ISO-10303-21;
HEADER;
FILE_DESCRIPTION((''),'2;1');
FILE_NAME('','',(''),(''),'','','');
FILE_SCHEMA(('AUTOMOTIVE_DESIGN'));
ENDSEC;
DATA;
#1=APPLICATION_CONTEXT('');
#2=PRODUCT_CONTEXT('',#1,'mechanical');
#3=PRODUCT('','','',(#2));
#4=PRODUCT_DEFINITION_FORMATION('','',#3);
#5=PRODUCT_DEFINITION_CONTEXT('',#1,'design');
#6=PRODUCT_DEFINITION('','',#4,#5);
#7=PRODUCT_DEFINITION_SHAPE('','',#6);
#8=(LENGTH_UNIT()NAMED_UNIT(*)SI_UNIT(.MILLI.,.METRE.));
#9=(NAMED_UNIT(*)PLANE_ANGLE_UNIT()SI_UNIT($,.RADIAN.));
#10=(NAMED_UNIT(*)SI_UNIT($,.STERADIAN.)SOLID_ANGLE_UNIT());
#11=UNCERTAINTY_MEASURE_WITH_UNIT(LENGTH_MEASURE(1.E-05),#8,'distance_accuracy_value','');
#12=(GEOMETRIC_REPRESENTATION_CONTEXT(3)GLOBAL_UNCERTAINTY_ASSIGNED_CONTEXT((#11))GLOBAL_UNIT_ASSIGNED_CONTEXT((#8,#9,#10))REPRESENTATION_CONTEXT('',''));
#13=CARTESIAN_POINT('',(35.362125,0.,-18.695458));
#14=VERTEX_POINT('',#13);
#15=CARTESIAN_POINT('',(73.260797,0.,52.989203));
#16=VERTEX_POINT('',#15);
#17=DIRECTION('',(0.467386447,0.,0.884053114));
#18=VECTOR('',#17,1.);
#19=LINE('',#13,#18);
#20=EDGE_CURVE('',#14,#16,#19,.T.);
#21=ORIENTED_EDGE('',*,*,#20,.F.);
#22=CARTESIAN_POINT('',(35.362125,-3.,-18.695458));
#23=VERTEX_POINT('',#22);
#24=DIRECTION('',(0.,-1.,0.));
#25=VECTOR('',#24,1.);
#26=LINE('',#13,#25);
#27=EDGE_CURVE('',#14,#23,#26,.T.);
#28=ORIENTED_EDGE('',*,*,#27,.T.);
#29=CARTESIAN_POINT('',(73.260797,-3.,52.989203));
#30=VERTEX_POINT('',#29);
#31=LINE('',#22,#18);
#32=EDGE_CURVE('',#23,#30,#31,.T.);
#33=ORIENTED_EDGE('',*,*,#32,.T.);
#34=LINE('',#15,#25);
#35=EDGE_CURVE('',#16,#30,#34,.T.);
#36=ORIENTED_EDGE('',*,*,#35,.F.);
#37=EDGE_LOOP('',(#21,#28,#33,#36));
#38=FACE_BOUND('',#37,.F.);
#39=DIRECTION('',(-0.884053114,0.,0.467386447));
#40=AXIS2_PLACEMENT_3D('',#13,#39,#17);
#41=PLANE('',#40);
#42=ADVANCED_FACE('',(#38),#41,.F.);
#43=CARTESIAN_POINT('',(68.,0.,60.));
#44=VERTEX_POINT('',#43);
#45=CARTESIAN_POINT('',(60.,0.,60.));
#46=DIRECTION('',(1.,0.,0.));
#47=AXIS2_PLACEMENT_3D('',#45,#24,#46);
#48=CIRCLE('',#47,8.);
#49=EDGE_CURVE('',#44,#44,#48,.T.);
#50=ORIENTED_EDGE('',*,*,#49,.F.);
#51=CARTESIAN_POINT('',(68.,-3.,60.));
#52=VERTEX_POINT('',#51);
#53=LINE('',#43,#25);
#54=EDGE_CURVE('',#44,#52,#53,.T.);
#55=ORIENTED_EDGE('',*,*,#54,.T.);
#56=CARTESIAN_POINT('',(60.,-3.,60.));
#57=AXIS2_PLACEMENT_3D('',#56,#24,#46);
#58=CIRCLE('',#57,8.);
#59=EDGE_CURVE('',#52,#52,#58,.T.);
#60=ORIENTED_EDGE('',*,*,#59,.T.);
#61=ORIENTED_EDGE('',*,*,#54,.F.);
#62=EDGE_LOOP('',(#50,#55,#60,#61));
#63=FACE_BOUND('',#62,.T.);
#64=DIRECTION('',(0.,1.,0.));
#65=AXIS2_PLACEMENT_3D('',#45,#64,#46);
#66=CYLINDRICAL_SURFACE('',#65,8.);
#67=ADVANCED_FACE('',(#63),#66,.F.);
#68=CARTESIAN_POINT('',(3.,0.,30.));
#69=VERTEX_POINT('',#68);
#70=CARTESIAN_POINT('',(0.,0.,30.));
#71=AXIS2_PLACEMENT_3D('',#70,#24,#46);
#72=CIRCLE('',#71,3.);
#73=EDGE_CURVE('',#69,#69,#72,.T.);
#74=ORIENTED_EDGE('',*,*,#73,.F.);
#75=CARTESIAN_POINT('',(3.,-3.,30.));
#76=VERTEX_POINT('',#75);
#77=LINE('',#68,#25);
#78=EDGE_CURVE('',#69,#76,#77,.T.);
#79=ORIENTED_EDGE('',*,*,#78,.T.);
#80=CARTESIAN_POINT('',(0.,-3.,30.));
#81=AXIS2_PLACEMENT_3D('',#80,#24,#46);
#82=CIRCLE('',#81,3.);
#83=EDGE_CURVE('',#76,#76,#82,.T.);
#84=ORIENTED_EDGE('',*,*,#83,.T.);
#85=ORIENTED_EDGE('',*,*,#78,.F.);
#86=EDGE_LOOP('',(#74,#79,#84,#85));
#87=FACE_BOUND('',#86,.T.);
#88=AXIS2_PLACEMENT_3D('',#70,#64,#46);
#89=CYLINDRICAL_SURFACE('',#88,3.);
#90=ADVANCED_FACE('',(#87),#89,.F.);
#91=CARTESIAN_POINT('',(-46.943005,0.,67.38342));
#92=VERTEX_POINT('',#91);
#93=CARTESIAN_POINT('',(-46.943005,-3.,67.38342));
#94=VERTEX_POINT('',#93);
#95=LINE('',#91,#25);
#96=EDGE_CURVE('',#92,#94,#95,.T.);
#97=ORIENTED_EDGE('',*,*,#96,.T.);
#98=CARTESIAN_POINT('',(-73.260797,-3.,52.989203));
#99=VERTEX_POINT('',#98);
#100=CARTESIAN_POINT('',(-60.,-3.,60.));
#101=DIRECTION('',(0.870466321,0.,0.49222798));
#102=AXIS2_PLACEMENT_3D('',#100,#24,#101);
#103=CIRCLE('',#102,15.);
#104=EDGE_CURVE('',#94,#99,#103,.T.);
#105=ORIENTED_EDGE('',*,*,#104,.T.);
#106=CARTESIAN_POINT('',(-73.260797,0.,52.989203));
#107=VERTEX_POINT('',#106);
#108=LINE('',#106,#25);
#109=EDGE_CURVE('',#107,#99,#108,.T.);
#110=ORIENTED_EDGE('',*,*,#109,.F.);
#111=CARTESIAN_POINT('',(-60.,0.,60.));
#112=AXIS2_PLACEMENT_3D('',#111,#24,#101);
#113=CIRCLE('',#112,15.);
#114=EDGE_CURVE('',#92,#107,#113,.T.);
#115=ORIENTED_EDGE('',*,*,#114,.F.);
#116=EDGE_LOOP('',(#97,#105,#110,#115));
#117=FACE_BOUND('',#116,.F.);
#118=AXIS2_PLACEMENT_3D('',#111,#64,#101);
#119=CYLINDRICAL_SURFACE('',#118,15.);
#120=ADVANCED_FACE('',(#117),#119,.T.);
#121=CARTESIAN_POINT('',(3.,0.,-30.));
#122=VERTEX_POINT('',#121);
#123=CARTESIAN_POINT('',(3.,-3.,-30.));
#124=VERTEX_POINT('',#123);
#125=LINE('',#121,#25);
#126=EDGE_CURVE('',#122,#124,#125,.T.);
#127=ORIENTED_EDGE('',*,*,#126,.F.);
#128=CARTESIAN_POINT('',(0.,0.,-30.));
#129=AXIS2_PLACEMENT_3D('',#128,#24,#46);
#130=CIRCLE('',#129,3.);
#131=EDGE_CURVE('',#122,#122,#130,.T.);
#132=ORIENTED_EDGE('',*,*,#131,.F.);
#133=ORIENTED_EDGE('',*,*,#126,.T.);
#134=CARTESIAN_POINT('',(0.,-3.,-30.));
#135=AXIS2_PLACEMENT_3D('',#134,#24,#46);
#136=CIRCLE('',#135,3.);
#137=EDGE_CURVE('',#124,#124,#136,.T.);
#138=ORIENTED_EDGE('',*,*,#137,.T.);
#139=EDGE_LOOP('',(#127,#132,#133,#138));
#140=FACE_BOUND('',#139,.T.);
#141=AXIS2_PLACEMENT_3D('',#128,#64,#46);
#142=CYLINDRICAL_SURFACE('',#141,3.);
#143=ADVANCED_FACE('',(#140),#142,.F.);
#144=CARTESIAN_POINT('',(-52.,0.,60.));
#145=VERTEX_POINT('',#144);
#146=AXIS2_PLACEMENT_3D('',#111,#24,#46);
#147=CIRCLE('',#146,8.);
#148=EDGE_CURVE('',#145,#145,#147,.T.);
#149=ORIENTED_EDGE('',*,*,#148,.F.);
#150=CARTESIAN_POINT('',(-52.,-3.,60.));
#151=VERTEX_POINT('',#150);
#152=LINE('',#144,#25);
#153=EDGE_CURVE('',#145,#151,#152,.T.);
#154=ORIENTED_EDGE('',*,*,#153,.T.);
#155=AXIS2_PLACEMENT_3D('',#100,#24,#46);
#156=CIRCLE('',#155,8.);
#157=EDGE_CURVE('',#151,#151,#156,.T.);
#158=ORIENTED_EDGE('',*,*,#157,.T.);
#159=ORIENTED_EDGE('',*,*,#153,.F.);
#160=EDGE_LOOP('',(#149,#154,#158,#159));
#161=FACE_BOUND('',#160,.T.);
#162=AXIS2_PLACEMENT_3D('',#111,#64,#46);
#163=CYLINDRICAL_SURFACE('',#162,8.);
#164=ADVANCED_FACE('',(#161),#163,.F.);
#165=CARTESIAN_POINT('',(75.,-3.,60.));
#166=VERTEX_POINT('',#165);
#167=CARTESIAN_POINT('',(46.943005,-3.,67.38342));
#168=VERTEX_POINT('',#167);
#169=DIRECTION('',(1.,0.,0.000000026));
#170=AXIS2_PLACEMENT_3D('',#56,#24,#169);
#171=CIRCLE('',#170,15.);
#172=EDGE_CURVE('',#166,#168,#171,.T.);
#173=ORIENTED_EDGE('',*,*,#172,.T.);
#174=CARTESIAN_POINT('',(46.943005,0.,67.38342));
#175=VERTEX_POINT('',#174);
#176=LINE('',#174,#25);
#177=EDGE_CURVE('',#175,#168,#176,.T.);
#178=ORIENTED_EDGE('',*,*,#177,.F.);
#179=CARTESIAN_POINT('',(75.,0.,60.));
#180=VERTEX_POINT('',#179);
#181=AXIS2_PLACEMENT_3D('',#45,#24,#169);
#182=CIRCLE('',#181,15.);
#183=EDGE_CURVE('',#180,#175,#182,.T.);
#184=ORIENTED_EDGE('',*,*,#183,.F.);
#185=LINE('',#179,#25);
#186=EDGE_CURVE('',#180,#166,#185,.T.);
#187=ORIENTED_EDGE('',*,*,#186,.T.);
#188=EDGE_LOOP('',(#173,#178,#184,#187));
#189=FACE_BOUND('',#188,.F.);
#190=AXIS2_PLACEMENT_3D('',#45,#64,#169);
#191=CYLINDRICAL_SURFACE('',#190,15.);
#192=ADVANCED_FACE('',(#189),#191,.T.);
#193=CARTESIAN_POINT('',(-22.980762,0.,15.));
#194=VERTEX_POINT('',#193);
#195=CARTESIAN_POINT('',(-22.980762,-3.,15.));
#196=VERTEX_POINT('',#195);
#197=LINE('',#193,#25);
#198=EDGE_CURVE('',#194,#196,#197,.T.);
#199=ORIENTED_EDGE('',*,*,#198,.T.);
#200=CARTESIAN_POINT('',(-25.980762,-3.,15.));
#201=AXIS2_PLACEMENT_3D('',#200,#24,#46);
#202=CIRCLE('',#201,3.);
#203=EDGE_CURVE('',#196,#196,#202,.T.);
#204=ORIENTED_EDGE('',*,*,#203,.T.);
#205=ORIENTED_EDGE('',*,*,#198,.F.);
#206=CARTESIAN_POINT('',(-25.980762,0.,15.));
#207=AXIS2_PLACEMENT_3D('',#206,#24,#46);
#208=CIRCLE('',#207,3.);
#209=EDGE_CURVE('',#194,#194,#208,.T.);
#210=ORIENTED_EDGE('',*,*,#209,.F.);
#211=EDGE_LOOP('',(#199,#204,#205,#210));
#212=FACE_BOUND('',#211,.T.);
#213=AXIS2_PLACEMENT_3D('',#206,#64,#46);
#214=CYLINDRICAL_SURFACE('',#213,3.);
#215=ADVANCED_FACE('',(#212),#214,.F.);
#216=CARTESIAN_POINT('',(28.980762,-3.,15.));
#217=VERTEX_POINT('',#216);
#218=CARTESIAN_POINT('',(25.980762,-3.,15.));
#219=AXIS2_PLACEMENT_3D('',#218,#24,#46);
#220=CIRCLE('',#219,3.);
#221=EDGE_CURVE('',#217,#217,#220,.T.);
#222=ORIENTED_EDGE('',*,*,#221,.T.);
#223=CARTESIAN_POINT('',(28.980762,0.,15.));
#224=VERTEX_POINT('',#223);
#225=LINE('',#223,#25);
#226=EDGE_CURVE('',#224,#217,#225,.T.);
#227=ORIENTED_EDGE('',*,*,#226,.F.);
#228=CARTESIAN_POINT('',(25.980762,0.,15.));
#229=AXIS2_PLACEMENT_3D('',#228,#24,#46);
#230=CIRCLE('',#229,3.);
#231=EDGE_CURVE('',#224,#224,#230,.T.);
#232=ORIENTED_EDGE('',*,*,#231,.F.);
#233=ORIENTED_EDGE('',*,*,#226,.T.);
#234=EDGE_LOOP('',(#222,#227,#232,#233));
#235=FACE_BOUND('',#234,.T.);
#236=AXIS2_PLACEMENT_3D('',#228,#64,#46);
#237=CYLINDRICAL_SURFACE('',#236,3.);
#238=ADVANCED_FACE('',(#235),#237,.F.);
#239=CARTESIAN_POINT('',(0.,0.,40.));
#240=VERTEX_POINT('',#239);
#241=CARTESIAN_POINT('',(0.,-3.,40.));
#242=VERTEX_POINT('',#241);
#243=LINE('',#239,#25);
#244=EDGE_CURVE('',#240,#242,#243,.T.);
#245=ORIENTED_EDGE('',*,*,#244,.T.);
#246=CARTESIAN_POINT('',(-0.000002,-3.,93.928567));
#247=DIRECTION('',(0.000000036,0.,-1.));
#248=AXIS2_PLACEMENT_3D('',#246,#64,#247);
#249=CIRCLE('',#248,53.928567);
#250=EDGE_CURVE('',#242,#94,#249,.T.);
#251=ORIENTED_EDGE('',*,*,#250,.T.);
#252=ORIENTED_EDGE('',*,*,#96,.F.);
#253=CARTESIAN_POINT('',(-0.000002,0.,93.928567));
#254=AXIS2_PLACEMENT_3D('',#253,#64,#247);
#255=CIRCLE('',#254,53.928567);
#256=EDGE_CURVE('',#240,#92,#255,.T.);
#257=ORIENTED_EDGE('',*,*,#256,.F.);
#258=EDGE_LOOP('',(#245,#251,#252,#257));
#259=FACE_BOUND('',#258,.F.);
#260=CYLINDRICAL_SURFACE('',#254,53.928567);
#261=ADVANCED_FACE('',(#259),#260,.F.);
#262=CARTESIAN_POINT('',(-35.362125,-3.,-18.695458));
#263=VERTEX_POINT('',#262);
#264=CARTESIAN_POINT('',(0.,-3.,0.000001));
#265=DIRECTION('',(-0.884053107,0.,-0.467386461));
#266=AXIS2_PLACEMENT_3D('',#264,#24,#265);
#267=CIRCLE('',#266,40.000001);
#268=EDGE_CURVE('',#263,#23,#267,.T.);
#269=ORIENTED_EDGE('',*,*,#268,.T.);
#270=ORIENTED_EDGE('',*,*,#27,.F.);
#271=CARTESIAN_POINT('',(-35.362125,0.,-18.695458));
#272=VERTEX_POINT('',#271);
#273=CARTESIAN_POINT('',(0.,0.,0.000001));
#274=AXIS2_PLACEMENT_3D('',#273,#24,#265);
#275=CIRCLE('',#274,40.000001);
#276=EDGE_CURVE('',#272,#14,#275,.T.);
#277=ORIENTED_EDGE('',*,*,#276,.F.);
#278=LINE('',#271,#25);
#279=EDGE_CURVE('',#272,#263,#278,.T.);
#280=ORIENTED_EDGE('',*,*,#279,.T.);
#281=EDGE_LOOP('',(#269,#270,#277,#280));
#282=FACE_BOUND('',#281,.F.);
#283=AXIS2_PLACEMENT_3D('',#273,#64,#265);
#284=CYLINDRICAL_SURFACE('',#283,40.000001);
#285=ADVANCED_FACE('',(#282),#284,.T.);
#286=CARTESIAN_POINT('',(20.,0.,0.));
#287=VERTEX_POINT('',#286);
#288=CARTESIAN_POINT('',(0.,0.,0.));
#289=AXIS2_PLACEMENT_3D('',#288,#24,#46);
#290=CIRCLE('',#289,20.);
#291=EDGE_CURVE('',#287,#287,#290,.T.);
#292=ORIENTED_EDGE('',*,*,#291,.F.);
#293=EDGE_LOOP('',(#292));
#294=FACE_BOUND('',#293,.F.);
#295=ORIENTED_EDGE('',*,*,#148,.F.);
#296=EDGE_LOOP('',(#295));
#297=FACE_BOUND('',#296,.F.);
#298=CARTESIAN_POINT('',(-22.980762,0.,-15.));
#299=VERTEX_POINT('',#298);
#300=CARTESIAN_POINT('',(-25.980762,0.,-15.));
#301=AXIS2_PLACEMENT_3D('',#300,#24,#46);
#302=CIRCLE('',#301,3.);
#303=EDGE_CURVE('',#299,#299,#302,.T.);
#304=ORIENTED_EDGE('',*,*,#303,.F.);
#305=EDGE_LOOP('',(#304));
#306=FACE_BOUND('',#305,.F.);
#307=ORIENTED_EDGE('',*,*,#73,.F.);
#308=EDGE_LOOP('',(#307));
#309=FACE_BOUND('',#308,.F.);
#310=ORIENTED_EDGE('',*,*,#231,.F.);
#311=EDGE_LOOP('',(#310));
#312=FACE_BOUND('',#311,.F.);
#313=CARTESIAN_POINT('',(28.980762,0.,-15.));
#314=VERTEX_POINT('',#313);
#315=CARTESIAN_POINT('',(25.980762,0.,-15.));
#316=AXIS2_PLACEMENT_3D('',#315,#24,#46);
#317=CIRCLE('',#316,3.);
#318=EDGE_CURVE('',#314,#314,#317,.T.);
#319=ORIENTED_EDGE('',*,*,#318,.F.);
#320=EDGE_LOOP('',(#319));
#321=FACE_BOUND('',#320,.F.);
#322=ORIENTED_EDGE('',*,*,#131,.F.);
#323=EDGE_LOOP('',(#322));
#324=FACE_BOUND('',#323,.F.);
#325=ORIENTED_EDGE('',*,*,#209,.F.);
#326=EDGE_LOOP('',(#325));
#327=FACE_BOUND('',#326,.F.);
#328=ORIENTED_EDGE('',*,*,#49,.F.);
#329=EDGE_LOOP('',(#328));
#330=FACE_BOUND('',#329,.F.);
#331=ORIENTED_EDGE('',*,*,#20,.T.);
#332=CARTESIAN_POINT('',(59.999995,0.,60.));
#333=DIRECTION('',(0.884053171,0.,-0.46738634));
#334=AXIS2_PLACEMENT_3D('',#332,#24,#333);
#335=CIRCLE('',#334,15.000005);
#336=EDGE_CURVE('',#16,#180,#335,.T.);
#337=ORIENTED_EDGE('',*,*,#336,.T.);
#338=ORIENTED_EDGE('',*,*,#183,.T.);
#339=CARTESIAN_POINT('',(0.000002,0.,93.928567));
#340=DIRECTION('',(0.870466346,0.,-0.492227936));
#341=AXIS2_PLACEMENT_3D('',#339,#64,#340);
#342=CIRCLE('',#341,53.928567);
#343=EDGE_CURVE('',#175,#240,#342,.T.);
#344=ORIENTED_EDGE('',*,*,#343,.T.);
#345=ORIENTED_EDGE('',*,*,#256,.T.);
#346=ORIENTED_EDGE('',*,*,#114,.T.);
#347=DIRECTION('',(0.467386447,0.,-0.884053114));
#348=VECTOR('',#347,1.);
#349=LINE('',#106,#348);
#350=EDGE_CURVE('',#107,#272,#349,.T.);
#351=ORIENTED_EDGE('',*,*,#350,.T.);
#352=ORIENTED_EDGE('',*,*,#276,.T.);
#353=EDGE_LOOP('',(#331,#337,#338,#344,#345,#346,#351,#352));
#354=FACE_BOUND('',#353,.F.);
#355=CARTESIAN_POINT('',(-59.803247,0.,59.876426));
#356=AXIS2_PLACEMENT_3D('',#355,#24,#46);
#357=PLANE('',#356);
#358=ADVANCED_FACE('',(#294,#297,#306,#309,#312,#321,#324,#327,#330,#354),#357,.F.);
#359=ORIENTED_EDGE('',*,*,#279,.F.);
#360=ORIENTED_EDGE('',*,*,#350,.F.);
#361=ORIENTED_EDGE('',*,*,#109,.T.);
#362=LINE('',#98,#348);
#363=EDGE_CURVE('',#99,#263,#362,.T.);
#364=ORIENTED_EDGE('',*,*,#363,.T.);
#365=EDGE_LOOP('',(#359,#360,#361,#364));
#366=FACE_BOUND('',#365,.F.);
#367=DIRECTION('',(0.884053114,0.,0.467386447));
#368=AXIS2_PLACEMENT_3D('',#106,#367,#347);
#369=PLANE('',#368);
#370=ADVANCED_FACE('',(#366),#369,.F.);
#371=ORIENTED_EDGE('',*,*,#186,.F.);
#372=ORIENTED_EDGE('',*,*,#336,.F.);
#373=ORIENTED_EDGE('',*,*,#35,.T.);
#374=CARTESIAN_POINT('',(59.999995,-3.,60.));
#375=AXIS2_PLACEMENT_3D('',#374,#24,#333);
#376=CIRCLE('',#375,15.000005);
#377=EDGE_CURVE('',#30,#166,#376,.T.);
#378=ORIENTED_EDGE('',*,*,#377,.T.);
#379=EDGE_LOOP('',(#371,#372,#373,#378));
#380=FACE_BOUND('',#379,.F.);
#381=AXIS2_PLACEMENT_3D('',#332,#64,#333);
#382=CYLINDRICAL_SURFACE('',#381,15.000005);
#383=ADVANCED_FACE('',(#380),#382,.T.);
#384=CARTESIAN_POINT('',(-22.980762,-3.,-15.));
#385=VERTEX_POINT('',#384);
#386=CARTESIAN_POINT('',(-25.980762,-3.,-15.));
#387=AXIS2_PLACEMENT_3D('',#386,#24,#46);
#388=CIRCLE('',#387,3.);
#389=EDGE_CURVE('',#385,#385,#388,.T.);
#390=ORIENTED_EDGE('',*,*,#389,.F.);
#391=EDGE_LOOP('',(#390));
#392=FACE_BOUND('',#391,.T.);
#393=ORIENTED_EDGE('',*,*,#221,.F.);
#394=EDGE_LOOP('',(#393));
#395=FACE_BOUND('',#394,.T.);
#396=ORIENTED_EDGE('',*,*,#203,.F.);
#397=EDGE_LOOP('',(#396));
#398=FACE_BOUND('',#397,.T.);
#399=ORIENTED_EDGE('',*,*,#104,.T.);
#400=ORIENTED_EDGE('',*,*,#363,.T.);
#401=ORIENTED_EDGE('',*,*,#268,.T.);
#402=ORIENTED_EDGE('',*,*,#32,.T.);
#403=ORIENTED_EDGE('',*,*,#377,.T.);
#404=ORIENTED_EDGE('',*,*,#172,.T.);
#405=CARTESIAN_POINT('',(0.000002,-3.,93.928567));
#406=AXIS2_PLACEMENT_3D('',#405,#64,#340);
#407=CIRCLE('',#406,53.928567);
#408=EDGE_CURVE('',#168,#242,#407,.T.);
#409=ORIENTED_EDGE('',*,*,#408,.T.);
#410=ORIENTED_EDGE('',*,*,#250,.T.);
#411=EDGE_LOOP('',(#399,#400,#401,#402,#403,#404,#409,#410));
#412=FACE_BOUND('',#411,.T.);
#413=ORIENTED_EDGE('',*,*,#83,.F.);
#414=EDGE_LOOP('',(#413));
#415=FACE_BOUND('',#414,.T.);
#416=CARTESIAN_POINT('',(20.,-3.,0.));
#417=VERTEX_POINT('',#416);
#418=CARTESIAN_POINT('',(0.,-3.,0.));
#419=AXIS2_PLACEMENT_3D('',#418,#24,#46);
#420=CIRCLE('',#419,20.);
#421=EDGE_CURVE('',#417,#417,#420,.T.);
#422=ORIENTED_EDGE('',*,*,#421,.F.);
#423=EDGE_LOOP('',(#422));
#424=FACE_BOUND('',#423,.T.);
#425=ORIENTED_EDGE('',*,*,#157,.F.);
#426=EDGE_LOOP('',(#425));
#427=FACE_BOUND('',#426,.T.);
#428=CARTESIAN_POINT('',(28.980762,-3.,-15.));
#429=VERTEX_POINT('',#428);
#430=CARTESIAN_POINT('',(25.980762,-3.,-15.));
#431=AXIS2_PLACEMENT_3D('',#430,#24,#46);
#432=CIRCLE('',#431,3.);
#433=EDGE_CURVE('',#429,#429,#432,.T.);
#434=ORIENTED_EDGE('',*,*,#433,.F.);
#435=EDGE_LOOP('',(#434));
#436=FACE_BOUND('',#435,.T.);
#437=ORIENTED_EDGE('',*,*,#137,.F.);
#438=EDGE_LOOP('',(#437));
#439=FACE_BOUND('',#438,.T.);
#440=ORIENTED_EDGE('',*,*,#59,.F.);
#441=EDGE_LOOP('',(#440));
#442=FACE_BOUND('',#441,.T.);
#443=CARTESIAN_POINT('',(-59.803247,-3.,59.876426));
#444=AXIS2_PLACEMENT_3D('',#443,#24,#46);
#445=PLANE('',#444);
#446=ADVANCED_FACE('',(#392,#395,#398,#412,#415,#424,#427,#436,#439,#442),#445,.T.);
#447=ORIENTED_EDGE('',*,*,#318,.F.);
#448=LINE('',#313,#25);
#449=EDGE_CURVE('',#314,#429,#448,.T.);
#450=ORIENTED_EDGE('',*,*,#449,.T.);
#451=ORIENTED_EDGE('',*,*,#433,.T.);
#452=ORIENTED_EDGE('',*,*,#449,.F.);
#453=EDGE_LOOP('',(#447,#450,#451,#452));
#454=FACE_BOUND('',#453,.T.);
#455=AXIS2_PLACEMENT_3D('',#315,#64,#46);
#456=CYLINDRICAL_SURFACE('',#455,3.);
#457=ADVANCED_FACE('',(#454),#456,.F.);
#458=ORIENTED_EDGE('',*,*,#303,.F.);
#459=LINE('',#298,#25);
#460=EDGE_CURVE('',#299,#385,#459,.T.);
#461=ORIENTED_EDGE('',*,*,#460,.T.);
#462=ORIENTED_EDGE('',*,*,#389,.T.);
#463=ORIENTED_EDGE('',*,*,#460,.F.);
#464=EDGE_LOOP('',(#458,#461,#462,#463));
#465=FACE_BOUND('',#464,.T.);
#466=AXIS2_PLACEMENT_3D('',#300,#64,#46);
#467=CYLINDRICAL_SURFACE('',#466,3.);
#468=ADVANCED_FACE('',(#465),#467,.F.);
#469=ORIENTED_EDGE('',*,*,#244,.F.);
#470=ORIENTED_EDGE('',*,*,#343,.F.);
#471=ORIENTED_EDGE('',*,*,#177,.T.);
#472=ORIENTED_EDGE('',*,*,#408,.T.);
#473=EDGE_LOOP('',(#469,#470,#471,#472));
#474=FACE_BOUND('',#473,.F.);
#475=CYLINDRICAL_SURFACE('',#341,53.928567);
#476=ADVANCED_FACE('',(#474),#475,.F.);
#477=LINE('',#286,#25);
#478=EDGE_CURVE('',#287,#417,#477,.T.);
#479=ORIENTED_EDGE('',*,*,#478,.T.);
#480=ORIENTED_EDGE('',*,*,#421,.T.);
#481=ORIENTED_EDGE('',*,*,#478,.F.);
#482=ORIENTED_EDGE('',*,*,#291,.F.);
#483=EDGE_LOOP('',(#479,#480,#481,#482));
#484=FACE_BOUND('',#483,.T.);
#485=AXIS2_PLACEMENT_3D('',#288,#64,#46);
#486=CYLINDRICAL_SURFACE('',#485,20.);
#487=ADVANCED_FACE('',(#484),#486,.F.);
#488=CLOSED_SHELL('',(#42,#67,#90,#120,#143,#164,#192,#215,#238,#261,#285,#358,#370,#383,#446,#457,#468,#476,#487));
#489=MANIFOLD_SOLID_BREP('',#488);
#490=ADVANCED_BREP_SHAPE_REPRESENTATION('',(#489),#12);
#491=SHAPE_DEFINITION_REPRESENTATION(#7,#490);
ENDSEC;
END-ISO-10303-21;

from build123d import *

# Parameters (mm, degrees)
F0_R     = 8
F0_R_2   = 3
F0_R_3   = 20
F1_DEPTH = 3


with BuildPart() as f1:
    # F0 (on Front) → F1 (new body)
    with BuildSketch(Plane.XZ):
        with BuildLine():
            ThreePointArc((-45, 60), (-45.493882, 63.817399), (-46.943005, 67.38342))
            ThreePointArc((-46.943005, 67.38342), (-67.19783, 73.160215), (-73.260797, 52.989203))
            ThreePointArc((-73.260797, 52.989203), (-56.388349, 45.441292), (-45, 60))
        make_face()
        with Locations((-60, 60)):
            Circle(F0_R, mode=Mode.SUBTRACT)
        with BuildLine():
            ThreePointArc((75, 60), (63.817399, 74.506118), (46.943005, 67.38342))
            ThreePointArc((46.943005, 67.38342), (52.80217, 46.839785), (73.260797, 52.989203))
            ThreePointArc((73.260797, 52.989203), (74.558708, 56.388349), (75, 60))
        make_face()
        with Locations((60, 60)):
            Circle(F0_R, mode=Mode.SUBTRACT)
        with BuildLine():
            ThreePointArc((35.362125, -18.695458), (38.823221, -9.63107), (40, 0))
            ThreePointArc((40, 0), (28.284271, 28.284271), (0, 40))
            ThreePointArc((0, 40), (-34.262358, 20.641968), (-35.362125, -18.695458))
            ThreePointArc((-35.362125, -18.695458), (0, -40), (35.362125, -18.695458))
        make_face()
        with Locations((-25.980762, -15)):
            Circle(F0_R_2, mode=Mode.SUBTRACT)
        with Locations((-25.980762, 15)):
            Circle(F0_R_2, mode=Mode.SUBTRACT)
        with Locations((0, -30)):
            Circle(F0_R_2, mode=Mode.SUBTRACT)
        with Locations((25.980762, -15)):
            Circle(F0_R_2, mode=Mode.SUBTRACT)
        Circle(F0_R_3, mode=Mode.SUBTRACT)
        with Locations((25.980762, 15)):
            Circle(F0_R_2, mode=Mode.SUBTRACT)
        with Locations((0, 30)):
            Circle(F0_R_2, mode=Mode.SUBTRACT)
        with BuildLine():
            ThreePointArc((0, 40), (28.284271, 28.284271), (40, 0))
            ThreePointArc((40, 0), (38.823221, -9.63107), (35.362125, -18.695458))
            Line((35.362125, -18.695458), (73.260797, 52.989203))
            ThreePointArc((73.260797, 52.989203), (52.80217, 46.839785), (46.943005, 67.38342))
            ThreePointArc((46.943005, 67.38342), (27.173045, 47.346209), (0, 40))
        make_face()
        with BuildLine():
            ThreePointArc((-35.362125, -18.695458), (-34.262358, 20.641968), (0, 40))
            ThreePointArc((0, 40), (-27.173045, 47.346209), (-46.943005, 67.38342))
            ThreePointArc((-46.943005, 67.38342), (-45.493882, 63.817399), (-45, 60))
            ThreePointArc((-45, 60), (-56.388349, 45.441292), (-73.260797, 52.989203))
            Line((-73.260797, 52.989203), (-35.362125, -18.695458))
        make_face()
    extrude(amount=F1_DEPTH)


solid = f1.part
